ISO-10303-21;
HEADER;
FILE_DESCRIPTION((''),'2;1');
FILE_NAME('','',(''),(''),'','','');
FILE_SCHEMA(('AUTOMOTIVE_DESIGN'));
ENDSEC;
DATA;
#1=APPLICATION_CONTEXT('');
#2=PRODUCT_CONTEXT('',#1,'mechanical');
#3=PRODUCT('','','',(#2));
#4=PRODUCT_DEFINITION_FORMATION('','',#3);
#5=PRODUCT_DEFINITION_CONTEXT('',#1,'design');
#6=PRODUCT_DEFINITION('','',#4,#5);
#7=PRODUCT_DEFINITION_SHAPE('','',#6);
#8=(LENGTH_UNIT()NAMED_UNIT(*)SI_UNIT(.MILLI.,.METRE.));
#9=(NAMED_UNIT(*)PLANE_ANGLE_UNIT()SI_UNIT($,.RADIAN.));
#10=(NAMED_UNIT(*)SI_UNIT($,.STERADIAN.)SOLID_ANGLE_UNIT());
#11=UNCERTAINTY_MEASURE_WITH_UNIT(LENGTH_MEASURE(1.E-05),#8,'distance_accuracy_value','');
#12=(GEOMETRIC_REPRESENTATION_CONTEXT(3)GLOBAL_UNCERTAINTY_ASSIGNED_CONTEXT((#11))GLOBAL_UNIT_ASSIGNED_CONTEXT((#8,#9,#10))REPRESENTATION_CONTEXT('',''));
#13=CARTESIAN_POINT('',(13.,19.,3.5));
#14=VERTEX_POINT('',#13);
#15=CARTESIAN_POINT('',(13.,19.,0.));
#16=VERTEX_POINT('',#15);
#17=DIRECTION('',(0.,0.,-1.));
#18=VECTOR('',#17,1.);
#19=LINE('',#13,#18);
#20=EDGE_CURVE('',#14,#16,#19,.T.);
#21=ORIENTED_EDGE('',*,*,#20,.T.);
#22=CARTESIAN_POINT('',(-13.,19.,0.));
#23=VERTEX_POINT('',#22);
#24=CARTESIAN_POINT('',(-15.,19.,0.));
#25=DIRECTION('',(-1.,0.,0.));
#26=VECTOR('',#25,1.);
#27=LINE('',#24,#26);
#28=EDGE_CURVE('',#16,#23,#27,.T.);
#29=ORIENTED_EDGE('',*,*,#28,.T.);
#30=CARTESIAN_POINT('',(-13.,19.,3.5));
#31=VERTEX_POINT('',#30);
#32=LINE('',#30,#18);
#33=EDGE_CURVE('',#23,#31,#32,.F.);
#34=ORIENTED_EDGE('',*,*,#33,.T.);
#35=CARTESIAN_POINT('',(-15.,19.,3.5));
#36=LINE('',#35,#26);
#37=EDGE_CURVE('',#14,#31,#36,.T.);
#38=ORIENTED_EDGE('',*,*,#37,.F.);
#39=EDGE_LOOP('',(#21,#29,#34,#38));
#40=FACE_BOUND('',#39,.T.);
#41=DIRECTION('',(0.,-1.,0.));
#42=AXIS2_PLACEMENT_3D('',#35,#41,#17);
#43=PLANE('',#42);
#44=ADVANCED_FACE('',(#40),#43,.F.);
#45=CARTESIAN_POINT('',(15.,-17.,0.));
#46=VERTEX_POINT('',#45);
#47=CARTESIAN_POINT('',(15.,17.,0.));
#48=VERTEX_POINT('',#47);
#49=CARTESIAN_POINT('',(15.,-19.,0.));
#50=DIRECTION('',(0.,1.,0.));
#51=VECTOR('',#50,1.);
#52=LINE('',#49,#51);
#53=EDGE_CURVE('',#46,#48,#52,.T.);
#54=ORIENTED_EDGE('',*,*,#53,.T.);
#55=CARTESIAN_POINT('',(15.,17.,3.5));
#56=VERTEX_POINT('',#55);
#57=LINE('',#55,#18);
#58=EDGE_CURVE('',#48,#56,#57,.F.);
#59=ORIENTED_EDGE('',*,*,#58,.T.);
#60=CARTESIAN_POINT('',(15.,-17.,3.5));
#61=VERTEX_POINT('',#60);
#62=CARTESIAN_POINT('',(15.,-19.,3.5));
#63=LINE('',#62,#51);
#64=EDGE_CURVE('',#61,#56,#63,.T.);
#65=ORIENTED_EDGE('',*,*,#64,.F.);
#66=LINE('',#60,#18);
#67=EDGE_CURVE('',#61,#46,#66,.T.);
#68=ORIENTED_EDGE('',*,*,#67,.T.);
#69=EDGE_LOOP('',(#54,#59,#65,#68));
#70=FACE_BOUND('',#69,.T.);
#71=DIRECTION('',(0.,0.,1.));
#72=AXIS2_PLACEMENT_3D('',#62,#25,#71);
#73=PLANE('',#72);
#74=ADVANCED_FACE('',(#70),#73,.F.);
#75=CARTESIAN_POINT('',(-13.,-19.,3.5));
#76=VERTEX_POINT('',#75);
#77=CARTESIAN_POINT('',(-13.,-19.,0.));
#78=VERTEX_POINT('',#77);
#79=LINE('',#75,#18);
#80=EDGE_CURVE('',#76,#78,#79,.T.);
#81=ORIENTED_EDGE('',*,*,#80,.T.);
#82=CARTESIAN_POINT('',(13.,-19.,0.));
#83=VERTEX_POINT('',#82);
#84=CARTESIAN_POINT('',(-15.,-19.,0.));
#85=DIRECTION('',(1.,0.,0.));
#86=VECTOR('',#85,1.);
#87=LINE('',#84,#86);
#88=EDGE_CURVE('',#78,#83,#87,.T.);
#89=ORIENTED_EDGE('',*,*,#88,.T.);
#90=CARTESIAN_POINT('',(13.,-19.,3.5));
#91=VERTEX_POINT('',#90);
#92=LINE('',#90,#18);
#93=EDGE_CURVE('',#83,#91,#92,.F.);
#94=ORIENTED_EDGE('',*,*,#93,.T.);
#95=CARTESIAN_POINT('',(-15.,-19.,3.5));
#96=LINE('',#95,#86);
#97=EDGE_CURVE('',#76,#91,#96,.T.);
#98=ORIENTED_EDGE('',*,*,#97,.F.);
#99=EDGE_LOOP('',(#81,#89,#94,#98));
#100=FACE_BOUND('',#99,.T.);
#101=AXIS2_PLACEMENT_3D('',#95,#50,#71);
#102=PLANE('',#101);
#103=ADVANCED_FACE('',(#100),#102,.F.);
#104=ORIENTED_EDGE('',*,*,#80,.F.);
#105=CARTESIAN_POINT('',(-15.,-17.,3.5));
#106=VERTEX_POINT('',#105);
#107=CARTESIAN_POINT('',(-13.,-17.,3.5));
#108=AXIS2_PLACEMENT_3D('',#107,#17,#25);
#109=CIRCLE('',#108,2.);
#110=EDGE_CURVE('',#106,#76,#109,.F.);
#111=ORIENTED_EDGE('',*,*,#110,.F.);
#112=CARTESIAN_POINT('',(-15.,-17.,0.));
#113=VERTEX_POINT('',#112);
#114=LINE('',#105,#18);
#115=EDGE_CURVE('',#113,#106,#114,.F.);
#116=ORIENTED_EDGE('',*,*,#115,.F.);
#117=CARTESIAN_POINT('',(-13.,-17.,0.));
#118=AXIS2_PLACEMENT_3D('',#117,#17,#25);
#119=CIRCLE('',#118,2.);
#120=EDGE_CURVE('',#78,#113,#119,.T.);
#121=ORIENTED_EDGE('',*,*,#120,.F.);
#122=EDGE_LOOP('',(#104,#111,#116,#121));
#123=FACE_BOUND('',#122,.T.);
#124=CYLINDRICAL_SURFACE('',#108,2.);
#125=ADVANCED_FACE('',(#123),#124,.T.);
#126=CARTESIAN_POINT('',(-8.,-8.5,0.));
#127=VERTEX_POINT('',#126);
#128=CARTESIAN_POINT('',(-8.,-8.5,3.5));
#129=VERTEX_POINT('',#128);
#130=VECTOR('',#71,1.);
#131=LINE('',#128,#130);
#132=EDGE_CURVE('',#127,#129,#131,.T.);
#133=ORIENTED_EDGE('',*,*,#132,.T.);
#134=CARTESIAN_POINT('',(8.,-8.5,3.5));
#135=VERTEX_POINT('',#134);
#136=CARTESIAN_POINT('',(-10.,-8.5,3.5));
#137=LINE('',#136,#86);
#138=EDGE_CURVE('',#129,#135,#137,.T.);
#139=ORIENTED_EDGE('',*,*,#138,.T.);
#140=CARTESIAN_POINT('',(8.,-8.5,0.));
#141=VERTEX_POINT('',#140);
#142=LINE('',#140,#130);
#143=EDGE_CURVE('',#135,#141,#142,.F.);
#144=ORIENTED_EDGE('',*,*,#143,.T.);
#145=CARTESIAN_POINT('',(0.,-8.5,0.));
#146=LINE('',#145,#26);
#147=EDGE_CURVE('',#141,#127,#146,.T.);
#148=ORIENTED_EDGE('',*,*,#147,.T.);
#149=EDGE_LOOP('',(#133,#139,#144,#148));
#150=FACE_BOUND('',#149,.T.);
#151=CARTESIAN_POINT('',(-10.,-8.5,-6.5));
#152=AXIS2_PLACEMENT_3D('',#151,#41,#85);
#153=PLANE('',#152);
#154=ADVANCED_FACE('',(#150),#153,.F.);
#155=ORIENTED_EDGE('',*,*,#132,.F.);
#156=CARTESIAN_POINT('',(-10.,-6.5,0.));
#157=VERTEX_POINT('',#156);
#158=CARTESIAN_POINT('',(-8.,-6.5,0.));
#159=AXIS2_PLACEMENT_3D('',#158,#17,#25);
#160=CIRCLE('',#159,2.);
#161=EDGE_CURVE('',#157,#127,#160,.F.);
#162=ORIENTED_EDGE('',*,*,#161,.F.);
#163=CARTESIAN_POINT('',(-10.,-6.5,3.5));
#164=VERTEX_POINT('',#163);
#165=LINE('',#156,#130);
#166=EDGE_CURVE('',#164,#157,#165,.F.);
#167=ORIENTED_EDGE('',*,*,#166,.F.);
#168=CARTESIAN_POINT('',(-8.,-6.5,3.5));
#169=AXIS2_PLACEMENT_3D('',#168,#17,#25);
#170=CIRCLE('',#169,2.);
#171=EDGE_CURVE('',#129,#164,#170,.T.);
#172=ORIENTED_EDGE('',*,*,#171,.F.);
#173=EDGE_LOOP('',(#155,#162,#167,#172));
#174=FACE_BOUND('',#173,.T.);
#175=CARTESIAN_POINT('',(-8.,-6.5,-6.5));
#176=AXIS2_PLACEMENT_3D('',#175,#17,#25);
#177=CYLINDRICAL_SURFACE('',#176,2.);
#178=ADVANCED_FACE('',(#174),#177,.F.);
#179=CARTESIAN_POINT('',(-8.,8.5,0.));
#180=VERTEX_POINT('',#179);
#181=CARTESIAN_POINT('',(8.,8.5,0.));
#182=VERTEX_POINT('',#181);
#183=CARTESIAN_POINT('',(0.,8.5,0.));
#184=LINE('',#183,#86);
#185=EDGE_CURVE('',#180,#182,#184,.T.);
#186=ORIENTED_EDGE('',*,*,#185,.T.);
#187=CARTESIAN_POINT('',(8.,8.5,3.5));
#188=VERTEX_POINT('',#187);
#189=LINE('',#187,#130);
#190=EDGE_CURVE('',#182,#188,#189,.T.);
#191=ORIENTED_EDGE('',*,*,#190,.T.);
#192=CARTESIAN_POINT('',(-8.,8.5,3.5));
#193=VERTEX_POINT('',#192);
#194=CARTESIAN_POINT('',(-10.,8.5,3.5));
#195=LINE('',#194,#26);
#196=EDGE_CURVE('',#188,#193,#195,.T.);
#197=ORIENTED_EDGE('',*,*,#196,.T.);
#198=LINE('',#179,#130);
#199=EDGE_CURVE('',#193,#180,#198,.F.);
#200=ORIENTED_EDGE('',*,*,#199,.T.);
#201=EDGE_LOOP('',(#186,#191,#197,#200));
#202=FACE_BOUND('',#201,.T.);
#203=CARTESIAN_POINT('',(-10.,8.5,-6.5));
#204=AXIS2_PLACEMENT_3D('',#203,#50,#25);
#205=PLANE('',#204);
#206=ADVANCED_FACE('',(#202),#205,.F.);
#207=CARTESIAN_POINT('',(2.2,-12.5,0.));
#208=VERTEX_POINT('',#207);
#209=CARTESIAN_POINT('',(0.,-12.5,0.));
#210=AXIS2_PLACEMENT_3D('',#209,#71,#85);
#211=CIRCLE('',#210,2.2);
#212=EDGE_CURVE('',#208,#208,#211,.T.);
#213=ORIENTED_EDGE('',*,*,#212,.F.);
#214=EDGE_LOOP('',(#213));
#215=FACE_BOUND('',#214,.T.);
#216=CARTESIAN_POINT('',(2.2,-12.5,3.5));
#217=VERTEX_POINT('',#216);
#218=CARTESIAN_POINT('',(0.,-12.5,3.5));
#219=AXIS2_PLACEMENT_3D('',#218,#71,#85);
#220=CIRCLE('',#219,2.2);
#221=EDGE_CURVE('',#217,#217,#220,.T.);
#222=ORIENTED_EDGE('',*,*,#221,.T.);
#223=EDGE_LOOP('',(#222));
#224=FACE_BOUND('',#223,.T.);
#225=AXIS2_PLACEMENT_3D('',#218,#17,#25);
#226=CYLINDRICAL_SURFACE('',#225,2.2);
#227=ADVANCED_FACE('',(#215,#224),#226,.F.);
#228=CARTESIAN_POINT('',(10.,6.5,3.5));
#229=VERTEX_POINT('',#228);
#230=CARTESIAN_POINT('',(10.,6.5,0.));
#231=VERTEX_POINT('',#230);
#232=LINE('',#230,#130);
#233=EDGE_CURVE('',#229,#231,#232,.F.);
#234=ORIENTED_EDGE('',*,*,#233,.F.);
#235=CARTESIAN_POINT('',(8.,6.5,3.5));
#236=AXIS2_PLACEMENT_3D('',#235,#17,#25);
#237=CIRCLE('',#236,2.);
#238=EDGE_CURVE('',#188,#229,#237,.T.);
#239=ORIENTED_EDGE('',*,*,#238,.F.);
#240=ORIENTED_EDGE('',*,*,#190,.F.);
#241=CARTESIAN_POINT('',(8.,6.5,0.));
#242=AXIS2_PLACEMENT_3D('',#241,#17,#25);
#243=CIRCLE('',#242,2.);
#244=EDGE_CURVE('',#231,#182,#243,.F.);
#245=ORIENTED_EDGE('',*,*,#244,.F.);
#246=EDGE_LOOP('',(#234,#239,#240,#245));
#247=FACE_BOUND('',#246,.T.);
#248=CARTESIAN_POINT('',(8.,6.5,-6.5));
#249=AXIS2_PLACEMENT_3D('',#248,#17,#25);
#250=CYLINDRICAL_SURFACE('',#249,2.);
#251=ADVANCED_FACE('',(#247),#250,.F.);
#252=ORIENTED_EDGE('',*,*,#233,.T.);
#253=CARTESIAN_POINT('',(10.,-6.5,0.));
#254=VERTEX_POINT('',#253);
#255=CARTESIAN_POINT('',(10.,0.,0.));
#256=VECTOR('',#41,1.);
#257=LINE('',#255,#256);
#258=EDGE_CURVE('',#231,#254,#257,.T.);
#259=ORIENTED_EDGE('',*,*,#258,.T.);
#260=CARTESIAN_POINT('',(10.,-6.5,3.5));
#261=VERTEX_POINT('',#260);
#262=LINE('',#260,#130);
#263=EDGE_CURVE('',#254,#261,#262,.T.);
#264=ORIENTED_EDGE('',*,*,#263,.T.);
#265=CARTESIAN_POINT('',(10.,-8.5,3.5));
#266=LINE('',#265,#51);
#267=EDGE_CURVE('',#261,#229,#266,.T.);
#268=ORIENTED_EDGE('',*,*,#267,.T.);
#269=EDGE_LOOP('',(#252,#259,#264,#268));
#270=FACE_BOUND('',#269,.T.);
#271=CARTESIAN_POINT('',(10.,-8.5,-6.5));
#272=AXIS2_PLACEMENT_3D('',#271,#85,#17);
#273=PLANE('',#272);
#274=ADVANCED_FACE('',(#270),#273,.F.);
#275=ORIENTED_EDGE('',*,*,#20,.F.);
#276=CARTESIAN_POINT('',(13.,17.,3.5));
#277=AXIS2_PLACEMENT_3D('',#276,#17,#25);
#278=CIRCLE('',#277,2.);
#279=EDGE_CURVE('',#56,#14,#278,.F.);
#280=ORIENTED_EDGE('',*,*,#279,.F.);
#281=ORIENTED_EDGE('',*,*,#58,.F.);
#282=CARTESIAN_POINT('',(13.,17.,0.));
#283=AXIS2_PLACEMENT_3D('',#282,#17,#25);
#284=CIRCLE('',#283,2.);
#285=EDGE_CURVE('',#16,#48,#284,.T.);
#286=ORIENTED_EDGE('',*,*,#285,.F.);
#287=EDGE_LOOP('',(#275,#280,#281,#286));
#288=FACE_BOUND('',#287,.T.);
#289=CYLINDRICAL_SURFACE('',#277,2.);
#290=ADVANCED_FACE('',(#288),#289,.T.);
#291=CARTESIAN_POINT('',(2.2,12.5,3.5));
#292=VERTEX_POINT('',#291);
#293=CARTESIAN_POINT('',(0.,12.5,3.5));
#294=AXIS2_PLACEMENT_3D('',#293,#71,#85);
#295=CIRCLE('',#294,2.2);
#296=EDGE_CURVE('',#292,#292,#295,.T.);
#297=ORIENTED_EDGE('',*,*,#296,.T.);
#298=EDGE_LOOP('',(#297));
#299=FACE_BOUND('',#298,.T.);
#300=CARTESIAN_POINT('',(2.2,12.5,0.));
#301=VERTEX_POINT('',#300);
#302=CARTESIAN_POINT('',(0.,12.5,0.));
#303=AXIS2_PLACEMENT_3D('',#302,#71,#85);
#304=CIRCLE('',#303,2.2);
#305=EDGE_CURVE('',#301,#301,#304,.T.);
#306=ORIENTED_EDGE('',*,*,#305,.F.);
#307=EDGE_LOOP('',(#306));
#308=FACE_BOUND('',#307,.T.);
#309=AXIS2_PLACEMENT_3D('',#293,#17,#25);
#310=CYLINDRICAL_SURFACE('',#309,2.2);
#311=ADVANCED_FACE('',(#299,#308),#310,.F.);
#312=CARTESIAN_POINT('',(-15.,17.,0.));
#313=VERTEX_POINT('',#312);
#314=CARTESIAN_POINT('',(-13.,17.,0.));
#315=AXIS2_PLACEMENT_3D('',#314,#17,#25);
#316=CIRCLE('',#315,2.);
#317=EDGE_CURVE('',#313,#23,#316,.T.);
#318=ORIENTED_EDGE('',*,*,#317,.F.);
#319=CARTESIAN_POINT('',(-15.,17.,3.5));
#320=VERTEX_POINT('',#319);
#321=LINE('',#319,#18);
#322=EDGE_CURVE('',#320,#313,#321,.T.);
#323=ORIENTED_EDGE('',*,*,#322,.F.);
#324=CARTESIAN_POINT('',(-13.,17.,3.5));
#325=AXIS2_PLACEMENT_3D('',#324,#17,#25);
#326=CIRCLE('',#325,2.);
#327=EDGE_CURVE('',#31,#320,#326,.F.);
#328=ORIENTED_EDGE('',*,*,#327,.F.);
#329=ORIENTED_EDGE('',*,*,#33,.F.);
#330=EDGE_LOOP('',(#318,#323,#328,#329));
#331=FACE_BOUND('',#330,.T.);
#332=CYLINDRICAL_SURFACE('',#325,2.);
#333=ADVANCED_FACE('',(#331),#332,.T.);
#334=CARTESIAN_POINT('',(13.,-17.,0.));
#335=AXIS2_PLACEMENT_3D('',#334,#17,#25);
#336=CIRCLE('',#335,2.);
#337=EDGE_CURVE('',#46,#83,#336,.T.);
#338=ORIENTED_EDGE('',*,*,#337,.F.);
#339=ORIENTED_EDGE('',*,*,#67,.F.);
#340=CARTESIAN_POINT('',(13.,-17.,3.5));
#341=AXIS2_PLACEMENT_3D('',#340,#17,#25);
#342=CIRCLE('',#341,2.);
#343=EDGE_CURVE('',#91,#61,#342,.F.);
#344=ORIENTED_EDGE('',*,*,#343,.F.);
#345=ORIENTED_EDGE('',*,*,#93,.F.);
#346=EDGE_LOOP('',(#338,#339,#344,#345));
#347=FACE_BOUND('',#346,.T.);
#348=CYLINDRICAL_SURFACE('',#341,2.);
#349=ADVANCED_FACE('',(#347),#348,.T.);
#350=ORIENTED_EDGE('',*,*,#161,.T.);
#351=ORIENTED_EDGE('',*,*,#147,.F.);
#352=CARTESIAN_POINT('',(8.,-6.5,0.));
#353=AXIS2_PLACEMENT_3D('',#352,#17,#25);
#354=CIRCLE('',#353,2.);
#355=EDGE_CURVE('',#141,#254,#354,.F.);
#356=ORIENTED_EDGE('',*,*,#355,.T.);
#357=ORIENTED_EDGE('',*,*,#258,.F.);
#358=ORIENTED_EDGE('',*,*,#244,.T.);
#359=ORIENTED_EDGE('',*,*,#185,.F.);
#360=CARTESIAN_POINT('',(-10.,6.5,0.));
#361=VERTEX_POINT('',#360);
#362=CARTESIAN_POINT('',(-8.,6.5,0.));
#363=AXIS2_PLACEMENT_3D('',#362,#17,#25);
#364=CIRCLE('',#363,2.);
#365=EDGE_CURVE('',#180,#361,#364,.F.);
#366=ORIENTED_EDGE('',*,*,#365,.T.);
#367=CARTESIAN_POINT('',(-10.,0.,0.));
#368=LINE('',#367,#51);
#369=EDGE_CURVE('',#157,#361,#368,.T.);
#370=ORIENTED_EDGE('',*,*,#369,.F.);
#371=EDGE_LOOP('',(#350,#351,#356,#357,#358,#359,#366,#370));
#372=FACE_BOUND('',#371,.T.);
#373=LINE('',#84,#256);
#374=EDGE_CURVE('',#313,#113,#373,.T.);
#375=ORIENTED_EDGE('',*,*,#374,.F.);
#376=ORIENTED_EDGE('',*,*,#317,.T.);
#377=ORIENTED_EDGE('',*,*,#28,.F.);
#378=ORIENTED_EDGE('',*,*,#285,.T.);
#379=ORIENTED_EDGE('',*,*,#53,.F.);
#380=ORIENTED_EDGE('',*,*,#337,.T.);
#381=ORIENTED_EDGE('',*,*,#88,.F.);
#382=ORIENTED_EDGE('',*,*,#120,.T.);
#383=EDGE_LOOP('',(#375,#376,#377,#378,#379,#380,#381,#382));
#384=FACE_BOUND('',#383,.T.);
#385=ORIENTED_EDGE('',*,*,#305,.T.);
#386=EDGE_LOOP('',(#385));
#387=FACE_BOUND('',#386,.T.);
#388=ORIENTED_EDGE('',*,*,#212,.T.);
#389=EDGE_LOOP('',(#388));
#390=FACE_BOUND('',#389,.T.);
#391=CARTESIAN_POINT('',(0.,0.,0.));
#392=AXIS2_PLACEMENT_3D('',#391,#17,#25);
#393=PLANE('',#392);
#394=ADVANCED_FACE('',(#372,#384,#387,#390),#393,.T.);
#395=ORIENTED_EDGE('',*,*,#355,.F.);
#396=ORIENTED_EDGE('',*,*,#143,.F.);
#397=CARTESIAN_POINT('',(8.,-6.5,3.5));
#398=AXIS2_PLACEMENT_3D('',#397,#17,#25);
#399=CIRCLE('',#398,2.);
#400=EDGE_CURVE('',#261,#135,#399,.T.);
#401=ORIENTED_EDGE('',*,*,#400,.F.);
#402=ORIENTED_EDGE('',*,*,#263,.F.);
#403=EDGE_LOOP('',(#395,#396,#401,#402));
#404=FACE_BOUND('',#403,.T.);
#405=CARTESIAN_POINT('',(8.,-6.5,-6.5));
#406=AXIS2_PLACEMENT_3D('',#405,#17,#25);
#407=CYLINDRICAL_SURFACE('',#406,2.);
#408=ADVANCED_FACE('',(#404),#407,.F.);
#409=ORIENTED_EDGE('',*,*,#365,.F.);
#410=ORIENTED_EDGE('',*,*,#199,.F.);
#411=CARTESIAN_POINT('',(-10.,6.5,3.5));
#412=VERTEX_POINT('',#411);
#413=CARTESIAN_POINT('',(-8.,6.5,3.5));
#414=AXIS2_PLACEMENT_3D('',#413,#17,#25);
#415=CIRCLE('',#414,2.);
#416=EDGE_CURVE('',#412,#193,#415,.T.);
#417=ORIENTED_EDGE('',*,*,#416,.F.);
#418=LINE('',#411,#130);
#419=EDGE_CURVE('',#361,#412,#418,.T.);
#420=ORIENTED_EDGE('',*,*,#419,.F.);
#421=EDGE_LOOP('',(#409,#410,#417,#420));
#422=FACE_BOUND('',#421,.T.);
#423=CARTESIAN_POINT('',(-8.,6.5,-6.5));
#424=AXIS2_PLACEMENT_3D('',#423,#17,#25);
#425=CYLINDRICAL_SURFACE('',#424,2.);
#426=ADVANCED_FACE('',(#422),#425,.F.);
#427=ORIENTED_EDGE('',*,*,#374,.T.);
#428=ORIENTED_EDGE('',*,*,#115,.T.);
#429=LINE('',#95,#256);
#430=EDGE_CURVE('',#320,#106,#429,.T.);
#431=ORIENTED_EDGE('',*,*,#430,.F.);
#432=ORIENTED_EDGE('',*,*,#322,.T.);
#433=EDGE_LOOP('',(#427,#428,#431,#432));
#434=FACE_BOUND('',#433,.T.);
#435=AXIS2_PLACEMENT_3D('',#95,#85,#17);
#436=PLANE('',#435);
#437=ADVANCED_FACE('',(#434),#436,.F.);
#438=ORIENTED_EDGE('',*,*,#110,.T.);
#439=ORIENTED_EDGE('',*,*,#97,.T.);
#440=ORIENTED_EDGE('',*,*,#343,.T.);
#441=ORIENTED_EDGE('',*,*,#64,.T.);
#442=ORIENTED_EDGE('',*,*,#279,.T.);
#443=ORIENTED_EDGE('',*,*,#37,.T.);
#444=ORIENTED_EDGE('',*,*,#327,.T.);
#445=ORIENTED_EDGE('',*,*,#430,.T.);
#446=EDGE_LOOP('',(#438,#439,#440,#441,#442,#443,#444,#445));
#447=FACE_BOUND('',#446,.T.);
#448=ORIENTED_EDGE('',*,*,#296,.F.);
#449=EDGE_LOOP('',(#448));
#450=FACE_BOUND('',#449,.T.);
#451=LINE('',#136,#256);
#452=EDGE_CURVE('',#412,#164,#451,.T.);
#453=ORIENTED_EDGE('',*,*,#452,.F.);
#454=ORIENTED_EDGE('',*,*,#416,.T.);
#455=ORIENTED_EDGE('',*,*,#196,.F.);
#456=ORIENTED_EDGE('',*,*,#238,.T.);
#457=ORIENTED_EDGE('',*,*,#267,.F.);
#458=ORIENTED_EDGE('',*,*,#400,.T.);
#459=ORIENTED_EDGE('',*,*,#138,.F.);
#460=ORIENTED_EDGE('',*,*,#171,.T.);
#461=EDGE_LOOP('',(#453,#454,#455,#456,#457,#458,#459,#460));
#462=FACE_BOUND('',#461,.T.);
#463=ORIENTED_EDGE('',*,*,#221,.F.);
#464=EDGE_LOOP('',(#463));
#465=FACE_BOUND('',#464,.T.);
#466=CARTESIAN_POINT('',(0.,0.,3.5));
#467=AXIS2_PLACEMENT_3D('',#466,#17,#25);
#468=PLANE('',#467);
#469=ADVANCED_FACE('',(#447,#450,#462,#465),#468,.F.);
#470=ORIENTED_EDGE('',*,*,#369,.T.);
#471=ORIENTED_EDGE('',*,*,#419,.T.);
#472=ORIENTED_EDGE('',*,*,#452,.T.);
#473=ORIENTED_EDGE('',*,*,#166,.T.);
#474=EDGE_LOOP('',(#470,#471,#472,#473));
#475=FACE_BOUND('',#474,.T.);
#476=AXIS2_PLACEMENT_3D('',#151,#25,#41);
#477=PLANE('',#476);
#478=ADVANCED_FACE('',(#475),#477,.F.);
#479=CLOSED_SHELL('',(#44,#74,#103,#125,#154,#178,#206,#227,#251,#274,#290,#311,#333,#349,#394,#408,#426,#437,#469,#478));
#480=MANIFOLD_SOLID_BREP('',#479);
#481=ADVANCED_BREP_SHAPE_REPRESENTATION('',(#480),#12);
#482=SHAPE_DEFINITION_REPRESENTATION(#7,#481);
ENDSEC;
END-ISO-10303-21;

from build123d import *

# Parameters (mm, degrees)
SKETCH_1_W          = 30
SKETCH_1_H          = 38
SKETCH_1_R          = 2.2
EXTRUDE_1_DEPTH     = 3.5
SKETCH_2_W          = 20
SKETCH_2_H          = 17
CUT_EXTRUDE_1_DEPTH = 10
FILLET_1_R          = 2


with BuildPart() as part:
    # 草图1 → 凸台-拉伸1 (new body)
    with BuildSketch(Plane.XY):
        Rectangle(SKETCH_1_W, SKETCH_1_H)
        with Locations((0, 12.5)):
            Circle(SKETCH_1_R, mode=Mode.SUBTRACT)
        with Locations((0, -12.5)):
            Circle(SKETCH_1_R, mode=Mode.SUBTRACT)
    extrude(amount=EXTRUDE_1_DEPTH)

    # 草图2 → 切除-拉伸1 (cut)
    with BuildSketch(Plane.XY.offset(3.5)):
        Rectangle(SKETCH_2_W, SKETCH_2_H)
    extrude(amount=-CUT_EXTRUDE_1_DEPTH, mode=Mode.SUBTRACT)

    # 圆角1
    fillet_1_edges = [part.edges().sort_by_distance(p)[0] for p in [
        (10, 8.5, 1.75),
        (10, -8.5, 1.75),
        (-10, -8.5, 1.75),
        (-10, 8.5, 1.75),
        (15, -19, 1.75),
        (-15, -19, 1.75),
        (-15, 19, 1.75),
        (15, 19, 1.75),
    ]]
    fillet(fillet_1_edges, radius=FILLET_1_R)


solid = part.part
